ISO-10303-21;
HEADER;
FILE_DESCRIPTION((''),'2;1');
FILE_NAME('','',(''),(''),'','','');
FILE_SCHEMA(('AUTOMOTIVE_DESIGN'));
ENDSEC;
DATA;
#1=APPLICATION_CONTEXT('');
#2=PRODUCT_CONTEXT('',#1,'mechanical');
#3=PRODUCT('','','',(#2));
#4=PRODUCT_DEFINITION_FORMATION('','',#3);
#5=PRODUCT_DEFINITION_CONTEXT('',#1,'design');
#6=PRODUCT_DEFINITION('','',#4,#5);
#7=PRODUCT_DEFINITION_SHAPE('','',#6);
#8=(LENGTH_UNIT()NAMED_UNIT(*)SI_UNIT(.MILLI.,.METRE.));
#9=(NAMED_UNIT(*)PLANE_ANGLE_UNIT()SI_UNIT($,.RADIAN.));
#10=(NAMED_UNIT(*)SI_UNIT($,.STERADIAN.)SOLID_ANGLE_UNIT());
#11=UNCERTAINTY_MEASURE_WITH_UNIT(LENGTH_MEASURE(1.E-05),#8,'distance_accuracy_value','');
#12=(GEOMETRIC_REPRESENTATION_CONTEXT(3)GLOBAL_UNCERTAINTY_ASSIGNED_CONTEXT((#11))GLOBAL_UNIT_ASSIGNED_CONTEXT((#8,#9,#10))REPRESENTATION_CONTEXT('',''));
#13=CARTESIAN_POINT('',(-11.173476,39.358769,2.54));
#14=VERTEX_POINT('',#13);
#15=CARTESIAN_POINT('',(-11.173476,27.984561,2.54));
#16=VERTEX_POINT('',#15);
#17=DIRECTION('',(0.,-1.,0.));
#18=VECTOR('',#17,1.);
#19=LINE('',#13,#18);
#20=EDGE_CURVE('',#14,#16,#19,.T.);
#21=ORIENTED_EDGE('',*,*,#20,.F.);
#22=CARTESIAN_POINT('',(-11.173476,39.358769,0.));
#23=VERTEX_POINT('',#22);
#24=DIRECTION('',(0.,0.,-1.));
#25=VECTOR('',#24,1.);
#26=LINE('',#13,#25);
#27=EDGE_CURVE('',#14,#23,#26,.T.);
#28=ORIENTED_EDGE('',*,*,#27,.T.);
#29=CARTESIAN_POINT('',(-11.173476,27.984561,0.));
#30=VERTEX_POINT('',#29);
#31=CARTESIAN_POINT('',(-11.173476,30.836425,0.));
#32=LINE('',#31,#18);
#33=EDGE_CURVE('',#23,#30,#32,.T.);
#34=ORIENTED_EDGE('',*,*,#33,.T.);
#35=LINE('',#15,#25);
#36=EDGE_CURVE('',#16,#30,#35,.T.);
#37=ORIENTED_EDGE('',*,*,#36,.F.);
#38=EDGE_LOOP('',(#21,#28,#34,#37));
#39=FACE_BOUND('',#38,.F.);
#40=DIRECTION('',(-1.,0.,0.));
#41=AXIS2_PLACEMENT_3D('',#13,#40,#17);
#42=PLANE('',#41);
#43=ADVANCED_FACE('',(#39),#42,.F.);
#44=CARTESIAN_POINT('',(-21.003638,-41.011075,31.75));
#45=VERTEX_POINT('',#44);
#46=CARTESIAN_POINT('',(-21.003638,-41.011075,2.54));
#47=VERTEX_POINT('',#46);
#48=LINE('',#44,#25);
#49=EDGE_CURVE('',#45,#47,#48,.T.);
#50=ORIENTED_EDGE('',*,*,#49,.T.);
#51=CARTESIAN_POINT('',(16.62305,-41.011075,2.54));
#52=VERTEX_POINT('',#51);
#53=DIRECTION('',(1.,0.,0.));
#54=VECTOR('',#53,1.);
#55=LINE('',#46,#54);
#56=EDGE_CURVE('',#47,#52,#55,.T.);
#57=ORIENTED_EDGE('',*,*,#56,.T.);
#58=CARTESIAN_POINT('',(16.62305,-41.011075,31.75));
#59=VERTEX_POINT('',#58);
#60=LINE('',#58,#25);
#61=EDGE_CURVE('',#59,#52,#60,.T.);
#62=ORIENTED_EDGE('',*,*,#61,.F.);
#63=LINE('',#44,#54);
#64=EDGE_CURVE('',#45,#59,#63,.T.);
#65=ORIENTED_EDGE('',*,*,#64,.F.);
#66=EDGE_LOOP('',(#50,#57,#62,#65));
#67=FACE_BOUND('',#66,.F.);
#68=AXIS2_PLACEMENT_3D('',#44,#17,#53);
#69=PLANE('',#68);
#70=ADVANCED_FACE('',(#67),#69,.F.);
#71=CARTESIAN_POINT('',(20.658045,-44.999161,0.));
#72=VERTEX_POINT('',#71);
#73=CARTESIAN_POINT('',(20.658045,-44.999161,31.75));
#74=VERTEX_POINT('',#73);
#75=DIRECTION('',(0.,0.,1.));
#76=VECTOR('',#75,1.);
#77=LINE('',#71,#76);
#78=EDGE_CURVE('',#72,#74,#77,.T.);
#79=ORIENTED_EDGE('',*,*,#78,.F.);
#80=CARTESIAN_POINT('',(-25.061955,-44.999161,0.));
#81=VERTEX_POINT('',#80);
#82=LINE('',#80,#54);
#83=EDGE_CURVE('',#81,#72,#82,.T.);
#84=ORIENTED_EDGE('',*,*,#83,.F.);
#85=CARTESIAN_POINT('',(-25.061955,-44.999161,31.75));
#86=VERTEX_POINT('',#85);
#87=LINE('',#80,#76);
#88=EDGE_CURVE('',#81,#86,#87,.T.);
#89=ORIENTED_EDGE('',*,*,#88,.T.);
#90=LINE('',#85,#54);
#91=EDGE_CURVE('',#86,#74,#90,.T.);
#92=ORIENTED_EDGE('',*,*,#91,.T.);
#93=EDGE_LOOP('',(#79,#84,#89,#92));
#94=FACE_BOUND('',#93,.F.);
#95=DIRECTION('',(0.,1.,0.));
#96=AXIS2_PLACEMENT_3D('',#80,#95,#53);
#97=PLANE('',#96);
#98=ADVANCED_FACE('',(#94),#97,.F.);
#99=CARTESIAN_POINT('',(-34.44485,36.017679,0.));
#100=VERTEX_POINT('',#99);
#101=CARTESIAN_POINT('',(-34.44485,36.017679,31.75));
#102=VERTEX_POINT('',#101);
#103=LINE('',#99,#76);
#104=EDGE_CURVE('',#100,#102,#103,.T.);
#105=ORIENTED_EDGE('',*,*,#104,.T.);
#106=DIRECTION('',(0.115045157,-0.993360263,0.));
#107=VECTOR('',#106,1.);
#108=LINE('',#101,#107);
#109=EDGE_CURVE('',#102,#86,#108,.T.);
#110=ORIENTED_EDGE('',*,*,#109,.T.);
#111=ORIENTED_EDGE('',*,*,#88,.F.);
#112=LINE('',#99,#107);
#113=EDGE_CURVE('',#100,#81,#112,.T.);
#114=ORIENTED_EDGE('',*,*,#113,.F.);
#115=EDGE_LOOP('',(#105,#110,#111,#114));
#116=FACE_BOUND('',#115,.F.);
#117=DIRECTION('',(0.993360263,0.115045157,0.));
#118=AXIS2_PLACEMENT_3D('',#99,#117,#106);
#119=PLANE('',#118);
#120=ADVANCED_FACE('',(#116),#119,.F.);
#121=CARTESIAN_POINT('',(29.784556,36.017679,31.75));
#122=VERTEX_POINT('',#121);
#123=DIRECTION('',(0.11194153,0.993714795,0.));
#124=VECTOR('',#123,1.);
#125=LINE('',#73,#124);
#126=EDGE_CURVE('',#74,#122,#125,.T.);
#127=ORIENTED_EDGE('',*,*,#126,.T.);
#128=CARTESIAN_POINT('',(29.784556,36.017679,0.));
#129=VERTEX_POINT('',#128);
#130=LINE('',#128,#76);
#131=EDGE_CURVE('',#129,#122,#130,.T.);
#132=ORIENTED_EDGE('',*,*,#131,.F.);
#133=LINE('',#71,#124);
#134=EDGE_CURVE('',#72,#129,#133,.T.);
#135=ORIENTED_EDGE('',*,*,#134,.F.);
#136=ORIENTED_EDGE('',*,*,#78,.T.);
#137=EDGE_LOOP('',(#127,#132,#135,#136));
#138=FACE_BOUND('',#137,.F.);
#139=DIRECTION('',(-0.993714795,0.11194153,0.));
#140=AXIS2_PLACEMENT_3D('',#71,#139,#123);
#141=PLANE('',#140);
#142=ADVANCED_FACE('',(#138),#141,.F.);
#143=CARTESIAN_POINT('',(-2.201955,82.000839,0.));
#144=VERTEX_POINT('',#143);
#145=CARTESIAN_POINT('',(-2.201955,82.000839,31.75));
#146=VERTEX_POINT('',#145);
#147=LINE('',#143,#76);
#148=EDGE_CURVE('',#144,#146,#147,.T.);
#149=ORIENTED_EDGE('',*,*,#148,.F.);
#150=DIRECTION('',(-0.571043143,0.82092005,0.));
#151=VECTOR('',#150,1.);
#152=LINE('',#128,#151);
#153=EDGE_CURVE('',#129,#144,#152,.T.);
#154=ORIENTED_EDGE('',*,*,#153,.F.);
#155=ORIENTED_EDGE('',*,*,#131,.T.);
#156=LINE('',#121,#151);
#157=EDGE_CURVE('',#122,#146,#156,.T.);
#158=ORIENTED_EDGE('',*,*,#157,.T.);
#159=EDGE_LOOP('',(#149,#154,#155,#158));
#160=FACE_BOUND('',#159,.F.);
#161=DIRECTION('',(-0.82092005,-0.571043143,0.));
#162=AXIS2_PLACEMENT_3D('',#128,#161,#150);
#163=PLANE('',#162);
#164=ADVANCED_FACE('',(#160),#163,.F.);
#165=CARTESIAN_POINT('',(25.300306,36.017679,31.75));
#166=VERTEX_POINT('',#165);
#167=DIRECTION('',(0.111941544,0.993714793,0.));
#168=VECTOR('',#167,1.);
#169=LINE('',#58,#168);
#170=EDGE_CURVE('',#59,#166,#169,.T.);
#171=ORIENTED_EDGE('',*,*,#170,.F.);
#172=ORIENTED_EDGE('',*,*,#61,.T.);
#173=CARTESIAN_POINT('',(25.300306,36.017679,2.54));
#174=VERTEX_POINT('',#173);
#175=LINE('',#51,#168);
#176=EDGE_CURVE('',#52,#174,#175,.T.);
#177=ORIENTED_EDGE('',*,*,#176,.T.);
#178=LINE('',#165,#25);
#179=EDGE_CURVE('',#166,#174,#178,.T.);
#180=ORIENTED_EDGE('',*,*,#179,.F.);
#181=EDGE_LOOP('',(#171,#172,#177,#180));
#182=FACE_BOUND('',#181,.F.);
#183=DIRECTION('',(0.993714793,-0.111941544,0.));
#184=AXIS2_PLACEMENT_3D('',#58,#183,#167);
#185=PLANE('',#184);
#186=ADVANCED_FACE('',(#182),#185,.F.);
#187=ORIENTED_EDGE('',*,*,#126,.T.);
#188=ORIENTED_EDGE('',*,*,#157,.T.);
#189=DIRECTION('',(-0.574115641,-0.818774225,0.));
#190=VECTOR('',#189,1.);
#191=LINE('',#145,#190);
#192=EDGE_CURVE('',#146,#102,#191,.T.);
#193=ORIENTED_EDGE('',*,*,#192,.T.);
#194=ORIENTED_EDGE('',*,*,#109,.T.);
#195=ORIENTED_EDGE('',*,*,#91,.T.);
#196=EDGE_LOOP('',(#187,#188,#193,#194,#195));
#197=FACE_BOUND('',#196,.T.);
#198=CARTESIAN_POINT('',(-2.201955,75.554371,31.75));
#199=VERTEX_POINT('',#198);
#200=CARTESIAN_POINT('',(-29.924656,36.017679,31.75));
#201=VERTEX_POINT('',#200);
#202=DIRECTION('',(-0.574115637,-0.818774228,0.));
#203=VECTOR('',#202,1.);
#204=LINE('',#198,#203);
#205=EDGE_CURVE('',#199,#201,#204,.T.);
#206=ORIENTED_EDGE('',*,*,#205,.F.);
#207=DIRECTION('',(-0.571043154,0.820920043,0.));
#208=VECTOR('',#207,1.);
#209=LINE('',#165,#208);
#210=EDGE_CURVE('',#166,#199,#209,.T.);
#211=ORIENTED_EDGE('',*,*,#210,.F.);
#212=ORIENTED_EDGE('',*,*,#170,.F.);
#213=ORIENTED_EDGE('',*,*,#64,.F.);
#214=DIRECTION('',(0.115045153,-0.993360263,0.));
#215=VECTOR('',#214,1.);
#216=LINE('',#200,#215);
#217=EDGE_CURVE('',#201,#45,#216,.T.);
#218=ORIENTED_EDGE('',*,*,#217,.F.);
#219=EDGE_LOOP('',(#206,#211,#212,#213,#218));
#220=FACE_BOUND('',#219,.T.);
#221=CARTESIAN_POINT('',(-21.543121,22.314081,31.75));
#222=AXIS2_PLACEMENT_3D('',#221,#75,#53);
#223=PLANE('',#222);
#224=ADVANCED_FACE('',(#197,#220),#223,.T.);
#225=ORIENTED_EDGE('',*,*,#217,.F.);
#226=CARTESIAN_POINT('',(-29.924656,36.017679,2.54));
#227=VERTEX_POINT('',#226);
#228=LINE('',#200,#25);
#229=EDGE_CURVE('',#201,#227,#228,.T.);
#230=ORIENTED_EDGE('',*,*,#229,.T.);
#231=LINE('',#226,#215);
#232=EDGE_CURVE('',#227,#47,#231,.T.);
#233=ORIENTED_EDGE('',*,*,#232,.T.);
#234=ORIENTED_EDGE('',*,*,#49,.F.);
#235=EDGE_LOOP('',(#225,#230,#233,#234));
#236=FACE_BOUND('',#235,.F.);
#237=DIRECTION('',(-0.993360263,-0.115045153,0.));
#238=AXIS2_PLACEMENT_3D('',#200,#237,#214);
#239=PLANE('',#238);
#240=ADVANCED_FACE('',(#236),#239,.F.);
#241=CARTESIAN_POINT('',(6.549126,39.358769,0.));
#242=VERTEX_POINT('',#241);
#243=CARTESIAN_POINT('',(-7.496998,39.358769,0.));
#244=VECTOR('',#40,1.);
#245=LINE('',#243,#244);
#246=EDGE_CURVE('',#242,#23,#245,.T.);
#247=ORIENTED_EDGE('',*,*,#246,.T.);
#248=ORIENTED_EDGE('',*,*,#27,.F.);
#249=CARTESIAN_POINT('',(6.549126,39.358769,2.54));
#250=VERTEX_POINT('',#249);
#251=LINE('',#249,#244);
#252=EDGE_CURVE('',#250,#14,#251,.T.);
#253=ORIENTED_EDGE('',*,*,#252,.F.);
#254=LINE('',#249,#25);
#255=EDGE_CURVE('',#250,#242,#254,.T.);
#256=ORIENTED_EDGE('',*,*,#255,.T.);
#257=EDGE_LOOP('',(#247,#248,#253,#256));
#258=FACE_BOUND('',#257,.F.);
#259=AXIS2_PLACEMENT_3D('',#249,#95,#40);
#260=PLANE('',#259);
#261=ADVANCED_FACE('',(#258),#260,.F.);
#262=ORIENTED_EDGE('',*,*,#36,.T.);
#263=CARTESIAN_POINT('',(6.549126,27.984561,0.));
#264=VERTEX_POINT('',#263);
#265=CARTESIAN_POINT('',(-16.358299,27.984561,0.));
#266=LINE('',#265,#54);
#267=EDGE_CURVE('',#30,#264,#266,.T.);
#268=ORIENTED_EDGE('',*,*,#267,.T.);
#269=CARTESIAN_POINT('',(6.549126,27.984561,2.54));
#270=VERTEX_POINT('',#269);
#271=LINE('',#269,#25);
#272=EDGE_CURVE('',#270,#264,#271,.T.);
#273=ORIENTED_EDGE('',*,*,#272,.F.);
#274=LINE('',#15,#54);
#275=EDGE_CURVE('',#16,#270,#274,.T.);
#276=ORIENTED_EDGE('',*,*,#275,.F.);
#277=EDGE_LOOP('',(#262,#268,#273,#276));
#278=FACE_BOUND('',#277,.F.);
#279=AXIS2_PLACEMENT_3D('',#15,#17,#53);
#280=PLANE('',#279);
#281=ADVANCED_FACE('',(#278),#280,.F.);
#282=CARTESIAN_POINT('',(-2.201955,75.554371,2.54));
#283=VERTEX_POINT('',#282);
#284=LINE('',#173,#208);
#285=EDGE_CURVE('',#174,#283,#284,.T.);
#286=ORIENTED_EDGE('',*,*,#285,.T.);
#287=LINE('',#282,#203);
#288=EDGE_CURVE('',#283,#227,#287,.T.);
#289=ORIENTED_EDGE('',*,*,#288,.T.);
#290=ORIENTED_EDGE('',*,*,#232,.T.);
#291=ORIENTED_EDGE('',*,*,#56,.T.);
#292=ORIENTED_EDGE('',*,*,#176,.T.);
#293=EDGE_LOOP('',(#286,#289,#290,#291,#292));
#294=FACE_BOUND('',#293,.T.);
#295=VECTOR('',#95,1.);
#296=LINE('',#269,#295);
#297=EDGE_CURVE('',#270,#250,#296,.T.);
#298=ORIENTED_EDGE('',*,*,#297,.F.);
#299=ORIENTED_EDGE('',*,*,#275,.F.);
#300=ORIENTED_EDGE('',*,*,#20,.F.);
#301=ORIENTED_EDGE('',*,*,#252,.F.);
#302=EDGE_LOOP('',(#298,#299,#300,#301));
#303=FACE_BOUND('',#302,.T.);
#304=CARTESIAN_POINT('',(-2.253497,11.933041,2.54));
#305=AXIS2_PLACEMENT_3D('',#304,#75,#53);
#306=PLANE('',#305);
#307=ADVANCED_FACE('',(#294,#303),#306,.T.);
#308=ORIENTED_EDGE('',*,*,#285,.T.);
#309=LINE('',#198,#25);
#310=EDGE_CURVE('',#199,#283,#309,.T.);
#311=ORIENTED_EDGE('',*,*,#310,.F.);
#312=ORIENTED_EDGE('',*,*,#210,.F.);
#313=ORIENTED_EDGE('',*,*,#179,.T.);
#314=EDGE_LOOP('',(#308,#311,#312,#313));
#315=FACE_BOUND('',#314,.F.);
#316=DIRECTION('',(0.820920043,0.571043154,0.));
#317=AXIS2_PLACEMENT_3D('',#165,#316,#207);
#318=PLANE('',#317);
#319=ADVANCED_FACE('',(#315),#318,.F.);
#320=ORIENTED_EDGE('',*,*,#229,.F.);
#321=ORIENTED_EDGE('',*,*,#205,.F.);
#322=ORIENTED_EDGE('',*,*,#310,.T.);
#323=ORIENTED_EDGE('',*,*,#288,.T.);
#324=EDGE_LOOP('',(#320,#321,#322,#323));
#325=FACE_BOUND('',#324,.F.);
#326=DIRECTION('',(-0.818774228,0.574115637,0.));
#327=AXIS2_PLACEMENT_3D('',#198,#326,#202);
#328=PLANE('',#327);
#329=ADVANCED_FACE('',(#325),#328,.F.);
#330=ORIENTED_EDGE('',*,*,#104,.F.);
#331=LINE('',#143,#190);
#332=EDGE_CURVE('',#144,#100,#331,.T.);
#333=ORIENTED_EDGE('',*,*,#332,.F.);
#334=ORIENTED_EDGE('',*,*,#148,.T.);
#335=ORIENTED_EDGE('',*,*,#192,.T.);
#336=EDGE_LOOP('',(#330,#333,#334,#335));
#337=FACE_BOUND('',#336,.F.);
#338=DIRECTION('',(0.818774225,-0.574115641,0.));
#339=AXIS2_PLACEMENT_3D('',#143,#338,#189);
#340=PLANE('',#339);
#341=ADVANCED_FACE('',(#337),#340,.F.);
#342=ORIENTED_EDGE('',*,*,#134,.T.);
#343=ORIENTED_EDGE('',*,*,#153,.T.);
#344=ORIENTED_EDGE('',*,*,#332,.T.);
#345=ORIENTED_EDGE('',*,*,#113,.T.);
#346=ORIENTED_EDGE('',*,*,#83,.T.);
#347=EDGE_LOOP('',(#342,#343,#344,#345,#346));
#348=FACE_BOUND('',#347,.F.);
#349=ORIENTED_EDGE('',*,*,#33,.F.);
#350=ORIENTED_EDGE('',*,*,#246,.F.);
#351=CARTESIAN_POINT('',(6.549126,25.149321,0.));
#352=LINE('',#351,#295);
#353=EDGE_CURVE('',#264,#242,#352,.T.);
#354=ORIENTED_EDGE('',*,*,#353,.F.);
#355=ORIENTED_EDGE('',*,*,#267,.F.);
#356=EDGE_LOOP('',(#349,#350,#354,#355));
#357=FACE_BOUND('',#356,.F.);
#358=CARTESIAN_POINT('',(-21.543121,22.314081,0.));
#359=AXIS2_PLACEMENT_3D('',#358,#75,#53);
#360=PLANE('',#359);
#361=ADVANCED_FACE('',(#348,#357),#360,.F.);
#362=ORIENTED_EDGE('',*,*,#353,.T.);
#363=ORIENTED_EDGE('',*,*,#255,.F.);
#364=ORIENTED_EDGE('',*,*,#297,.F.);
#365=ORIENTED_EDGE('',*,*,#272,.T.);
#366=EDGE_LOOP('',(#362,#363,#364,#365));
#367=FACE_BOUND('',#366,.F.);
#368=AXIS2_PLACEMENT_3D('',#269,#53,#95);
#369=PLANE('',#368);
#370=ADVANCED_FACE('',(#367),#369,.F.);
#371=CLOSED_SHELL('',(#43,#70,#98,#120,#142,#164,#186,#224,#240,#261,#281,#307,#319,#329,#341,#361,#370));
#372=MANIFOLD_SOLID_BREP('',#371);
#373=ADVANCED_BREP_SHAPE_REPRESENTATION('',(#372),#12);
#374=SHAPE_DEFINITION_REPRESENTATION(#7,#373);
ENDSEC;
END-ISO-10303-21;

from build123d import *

# Parameters (mm, degrees)
F0_W     = 22.86
F0_H     = 93.98
F1_DEPTH = 31.75
F3_DEPTH = 29.21
F5_DEPTH = 25.4


with BuildPart() as f1:
    # F0 (on Top) → F1 (new body)
    with BuildSketch(Plane.XY):
        Polygon((-25.061955, -44.999161), (-25.061955, 48.980839), (-2.201955, 48.980839), (-2.201955, 82.000839), (-34.44485, 36.017679), align=None)
        with Locations((-13.631955, 1.990839)):
            Rectangle(F0_W, F0_H)
        Polygon((-2.201955, 82.000839), (-2.201955, 48.980839), (20.658045, 48.980839), (20.658045, -44.999161), (29.784556, 36.017679), align=None)
        with Locations((9.228045, 1.990839)):
            Rectangle(F0_W, F0_H)
    extrude(amount=F1_DEPTH)

    # F2 (on face) → F3 (cut)
    with BuildSketch(Plane.XY.offset(31.75)):
        Polygon((25.300306, 36.017679), (-2.201955, 75.554371), (-29.924656, 36.017679), (-21.003638, -41.011075), (16.62305, -41.011075), align=None)
    extrude(amount=-F3_DEPTH, mode=Mode.SUBTRACT)

    # F4 (on face) → F5 (cut)
    with BuildSketch(Plane.XY.offset(2.54)):
        Polygon((6.549126, 39.358769), (-2.201955, 39.358769), (-11.173476, 39.358769), (-11.173476, 27.984561), (6.549126, 27.984561), align=None)
    extrude(amount=-F5_DEPTH, mode=Mode.SUBTRACT)


solid = f1.part
